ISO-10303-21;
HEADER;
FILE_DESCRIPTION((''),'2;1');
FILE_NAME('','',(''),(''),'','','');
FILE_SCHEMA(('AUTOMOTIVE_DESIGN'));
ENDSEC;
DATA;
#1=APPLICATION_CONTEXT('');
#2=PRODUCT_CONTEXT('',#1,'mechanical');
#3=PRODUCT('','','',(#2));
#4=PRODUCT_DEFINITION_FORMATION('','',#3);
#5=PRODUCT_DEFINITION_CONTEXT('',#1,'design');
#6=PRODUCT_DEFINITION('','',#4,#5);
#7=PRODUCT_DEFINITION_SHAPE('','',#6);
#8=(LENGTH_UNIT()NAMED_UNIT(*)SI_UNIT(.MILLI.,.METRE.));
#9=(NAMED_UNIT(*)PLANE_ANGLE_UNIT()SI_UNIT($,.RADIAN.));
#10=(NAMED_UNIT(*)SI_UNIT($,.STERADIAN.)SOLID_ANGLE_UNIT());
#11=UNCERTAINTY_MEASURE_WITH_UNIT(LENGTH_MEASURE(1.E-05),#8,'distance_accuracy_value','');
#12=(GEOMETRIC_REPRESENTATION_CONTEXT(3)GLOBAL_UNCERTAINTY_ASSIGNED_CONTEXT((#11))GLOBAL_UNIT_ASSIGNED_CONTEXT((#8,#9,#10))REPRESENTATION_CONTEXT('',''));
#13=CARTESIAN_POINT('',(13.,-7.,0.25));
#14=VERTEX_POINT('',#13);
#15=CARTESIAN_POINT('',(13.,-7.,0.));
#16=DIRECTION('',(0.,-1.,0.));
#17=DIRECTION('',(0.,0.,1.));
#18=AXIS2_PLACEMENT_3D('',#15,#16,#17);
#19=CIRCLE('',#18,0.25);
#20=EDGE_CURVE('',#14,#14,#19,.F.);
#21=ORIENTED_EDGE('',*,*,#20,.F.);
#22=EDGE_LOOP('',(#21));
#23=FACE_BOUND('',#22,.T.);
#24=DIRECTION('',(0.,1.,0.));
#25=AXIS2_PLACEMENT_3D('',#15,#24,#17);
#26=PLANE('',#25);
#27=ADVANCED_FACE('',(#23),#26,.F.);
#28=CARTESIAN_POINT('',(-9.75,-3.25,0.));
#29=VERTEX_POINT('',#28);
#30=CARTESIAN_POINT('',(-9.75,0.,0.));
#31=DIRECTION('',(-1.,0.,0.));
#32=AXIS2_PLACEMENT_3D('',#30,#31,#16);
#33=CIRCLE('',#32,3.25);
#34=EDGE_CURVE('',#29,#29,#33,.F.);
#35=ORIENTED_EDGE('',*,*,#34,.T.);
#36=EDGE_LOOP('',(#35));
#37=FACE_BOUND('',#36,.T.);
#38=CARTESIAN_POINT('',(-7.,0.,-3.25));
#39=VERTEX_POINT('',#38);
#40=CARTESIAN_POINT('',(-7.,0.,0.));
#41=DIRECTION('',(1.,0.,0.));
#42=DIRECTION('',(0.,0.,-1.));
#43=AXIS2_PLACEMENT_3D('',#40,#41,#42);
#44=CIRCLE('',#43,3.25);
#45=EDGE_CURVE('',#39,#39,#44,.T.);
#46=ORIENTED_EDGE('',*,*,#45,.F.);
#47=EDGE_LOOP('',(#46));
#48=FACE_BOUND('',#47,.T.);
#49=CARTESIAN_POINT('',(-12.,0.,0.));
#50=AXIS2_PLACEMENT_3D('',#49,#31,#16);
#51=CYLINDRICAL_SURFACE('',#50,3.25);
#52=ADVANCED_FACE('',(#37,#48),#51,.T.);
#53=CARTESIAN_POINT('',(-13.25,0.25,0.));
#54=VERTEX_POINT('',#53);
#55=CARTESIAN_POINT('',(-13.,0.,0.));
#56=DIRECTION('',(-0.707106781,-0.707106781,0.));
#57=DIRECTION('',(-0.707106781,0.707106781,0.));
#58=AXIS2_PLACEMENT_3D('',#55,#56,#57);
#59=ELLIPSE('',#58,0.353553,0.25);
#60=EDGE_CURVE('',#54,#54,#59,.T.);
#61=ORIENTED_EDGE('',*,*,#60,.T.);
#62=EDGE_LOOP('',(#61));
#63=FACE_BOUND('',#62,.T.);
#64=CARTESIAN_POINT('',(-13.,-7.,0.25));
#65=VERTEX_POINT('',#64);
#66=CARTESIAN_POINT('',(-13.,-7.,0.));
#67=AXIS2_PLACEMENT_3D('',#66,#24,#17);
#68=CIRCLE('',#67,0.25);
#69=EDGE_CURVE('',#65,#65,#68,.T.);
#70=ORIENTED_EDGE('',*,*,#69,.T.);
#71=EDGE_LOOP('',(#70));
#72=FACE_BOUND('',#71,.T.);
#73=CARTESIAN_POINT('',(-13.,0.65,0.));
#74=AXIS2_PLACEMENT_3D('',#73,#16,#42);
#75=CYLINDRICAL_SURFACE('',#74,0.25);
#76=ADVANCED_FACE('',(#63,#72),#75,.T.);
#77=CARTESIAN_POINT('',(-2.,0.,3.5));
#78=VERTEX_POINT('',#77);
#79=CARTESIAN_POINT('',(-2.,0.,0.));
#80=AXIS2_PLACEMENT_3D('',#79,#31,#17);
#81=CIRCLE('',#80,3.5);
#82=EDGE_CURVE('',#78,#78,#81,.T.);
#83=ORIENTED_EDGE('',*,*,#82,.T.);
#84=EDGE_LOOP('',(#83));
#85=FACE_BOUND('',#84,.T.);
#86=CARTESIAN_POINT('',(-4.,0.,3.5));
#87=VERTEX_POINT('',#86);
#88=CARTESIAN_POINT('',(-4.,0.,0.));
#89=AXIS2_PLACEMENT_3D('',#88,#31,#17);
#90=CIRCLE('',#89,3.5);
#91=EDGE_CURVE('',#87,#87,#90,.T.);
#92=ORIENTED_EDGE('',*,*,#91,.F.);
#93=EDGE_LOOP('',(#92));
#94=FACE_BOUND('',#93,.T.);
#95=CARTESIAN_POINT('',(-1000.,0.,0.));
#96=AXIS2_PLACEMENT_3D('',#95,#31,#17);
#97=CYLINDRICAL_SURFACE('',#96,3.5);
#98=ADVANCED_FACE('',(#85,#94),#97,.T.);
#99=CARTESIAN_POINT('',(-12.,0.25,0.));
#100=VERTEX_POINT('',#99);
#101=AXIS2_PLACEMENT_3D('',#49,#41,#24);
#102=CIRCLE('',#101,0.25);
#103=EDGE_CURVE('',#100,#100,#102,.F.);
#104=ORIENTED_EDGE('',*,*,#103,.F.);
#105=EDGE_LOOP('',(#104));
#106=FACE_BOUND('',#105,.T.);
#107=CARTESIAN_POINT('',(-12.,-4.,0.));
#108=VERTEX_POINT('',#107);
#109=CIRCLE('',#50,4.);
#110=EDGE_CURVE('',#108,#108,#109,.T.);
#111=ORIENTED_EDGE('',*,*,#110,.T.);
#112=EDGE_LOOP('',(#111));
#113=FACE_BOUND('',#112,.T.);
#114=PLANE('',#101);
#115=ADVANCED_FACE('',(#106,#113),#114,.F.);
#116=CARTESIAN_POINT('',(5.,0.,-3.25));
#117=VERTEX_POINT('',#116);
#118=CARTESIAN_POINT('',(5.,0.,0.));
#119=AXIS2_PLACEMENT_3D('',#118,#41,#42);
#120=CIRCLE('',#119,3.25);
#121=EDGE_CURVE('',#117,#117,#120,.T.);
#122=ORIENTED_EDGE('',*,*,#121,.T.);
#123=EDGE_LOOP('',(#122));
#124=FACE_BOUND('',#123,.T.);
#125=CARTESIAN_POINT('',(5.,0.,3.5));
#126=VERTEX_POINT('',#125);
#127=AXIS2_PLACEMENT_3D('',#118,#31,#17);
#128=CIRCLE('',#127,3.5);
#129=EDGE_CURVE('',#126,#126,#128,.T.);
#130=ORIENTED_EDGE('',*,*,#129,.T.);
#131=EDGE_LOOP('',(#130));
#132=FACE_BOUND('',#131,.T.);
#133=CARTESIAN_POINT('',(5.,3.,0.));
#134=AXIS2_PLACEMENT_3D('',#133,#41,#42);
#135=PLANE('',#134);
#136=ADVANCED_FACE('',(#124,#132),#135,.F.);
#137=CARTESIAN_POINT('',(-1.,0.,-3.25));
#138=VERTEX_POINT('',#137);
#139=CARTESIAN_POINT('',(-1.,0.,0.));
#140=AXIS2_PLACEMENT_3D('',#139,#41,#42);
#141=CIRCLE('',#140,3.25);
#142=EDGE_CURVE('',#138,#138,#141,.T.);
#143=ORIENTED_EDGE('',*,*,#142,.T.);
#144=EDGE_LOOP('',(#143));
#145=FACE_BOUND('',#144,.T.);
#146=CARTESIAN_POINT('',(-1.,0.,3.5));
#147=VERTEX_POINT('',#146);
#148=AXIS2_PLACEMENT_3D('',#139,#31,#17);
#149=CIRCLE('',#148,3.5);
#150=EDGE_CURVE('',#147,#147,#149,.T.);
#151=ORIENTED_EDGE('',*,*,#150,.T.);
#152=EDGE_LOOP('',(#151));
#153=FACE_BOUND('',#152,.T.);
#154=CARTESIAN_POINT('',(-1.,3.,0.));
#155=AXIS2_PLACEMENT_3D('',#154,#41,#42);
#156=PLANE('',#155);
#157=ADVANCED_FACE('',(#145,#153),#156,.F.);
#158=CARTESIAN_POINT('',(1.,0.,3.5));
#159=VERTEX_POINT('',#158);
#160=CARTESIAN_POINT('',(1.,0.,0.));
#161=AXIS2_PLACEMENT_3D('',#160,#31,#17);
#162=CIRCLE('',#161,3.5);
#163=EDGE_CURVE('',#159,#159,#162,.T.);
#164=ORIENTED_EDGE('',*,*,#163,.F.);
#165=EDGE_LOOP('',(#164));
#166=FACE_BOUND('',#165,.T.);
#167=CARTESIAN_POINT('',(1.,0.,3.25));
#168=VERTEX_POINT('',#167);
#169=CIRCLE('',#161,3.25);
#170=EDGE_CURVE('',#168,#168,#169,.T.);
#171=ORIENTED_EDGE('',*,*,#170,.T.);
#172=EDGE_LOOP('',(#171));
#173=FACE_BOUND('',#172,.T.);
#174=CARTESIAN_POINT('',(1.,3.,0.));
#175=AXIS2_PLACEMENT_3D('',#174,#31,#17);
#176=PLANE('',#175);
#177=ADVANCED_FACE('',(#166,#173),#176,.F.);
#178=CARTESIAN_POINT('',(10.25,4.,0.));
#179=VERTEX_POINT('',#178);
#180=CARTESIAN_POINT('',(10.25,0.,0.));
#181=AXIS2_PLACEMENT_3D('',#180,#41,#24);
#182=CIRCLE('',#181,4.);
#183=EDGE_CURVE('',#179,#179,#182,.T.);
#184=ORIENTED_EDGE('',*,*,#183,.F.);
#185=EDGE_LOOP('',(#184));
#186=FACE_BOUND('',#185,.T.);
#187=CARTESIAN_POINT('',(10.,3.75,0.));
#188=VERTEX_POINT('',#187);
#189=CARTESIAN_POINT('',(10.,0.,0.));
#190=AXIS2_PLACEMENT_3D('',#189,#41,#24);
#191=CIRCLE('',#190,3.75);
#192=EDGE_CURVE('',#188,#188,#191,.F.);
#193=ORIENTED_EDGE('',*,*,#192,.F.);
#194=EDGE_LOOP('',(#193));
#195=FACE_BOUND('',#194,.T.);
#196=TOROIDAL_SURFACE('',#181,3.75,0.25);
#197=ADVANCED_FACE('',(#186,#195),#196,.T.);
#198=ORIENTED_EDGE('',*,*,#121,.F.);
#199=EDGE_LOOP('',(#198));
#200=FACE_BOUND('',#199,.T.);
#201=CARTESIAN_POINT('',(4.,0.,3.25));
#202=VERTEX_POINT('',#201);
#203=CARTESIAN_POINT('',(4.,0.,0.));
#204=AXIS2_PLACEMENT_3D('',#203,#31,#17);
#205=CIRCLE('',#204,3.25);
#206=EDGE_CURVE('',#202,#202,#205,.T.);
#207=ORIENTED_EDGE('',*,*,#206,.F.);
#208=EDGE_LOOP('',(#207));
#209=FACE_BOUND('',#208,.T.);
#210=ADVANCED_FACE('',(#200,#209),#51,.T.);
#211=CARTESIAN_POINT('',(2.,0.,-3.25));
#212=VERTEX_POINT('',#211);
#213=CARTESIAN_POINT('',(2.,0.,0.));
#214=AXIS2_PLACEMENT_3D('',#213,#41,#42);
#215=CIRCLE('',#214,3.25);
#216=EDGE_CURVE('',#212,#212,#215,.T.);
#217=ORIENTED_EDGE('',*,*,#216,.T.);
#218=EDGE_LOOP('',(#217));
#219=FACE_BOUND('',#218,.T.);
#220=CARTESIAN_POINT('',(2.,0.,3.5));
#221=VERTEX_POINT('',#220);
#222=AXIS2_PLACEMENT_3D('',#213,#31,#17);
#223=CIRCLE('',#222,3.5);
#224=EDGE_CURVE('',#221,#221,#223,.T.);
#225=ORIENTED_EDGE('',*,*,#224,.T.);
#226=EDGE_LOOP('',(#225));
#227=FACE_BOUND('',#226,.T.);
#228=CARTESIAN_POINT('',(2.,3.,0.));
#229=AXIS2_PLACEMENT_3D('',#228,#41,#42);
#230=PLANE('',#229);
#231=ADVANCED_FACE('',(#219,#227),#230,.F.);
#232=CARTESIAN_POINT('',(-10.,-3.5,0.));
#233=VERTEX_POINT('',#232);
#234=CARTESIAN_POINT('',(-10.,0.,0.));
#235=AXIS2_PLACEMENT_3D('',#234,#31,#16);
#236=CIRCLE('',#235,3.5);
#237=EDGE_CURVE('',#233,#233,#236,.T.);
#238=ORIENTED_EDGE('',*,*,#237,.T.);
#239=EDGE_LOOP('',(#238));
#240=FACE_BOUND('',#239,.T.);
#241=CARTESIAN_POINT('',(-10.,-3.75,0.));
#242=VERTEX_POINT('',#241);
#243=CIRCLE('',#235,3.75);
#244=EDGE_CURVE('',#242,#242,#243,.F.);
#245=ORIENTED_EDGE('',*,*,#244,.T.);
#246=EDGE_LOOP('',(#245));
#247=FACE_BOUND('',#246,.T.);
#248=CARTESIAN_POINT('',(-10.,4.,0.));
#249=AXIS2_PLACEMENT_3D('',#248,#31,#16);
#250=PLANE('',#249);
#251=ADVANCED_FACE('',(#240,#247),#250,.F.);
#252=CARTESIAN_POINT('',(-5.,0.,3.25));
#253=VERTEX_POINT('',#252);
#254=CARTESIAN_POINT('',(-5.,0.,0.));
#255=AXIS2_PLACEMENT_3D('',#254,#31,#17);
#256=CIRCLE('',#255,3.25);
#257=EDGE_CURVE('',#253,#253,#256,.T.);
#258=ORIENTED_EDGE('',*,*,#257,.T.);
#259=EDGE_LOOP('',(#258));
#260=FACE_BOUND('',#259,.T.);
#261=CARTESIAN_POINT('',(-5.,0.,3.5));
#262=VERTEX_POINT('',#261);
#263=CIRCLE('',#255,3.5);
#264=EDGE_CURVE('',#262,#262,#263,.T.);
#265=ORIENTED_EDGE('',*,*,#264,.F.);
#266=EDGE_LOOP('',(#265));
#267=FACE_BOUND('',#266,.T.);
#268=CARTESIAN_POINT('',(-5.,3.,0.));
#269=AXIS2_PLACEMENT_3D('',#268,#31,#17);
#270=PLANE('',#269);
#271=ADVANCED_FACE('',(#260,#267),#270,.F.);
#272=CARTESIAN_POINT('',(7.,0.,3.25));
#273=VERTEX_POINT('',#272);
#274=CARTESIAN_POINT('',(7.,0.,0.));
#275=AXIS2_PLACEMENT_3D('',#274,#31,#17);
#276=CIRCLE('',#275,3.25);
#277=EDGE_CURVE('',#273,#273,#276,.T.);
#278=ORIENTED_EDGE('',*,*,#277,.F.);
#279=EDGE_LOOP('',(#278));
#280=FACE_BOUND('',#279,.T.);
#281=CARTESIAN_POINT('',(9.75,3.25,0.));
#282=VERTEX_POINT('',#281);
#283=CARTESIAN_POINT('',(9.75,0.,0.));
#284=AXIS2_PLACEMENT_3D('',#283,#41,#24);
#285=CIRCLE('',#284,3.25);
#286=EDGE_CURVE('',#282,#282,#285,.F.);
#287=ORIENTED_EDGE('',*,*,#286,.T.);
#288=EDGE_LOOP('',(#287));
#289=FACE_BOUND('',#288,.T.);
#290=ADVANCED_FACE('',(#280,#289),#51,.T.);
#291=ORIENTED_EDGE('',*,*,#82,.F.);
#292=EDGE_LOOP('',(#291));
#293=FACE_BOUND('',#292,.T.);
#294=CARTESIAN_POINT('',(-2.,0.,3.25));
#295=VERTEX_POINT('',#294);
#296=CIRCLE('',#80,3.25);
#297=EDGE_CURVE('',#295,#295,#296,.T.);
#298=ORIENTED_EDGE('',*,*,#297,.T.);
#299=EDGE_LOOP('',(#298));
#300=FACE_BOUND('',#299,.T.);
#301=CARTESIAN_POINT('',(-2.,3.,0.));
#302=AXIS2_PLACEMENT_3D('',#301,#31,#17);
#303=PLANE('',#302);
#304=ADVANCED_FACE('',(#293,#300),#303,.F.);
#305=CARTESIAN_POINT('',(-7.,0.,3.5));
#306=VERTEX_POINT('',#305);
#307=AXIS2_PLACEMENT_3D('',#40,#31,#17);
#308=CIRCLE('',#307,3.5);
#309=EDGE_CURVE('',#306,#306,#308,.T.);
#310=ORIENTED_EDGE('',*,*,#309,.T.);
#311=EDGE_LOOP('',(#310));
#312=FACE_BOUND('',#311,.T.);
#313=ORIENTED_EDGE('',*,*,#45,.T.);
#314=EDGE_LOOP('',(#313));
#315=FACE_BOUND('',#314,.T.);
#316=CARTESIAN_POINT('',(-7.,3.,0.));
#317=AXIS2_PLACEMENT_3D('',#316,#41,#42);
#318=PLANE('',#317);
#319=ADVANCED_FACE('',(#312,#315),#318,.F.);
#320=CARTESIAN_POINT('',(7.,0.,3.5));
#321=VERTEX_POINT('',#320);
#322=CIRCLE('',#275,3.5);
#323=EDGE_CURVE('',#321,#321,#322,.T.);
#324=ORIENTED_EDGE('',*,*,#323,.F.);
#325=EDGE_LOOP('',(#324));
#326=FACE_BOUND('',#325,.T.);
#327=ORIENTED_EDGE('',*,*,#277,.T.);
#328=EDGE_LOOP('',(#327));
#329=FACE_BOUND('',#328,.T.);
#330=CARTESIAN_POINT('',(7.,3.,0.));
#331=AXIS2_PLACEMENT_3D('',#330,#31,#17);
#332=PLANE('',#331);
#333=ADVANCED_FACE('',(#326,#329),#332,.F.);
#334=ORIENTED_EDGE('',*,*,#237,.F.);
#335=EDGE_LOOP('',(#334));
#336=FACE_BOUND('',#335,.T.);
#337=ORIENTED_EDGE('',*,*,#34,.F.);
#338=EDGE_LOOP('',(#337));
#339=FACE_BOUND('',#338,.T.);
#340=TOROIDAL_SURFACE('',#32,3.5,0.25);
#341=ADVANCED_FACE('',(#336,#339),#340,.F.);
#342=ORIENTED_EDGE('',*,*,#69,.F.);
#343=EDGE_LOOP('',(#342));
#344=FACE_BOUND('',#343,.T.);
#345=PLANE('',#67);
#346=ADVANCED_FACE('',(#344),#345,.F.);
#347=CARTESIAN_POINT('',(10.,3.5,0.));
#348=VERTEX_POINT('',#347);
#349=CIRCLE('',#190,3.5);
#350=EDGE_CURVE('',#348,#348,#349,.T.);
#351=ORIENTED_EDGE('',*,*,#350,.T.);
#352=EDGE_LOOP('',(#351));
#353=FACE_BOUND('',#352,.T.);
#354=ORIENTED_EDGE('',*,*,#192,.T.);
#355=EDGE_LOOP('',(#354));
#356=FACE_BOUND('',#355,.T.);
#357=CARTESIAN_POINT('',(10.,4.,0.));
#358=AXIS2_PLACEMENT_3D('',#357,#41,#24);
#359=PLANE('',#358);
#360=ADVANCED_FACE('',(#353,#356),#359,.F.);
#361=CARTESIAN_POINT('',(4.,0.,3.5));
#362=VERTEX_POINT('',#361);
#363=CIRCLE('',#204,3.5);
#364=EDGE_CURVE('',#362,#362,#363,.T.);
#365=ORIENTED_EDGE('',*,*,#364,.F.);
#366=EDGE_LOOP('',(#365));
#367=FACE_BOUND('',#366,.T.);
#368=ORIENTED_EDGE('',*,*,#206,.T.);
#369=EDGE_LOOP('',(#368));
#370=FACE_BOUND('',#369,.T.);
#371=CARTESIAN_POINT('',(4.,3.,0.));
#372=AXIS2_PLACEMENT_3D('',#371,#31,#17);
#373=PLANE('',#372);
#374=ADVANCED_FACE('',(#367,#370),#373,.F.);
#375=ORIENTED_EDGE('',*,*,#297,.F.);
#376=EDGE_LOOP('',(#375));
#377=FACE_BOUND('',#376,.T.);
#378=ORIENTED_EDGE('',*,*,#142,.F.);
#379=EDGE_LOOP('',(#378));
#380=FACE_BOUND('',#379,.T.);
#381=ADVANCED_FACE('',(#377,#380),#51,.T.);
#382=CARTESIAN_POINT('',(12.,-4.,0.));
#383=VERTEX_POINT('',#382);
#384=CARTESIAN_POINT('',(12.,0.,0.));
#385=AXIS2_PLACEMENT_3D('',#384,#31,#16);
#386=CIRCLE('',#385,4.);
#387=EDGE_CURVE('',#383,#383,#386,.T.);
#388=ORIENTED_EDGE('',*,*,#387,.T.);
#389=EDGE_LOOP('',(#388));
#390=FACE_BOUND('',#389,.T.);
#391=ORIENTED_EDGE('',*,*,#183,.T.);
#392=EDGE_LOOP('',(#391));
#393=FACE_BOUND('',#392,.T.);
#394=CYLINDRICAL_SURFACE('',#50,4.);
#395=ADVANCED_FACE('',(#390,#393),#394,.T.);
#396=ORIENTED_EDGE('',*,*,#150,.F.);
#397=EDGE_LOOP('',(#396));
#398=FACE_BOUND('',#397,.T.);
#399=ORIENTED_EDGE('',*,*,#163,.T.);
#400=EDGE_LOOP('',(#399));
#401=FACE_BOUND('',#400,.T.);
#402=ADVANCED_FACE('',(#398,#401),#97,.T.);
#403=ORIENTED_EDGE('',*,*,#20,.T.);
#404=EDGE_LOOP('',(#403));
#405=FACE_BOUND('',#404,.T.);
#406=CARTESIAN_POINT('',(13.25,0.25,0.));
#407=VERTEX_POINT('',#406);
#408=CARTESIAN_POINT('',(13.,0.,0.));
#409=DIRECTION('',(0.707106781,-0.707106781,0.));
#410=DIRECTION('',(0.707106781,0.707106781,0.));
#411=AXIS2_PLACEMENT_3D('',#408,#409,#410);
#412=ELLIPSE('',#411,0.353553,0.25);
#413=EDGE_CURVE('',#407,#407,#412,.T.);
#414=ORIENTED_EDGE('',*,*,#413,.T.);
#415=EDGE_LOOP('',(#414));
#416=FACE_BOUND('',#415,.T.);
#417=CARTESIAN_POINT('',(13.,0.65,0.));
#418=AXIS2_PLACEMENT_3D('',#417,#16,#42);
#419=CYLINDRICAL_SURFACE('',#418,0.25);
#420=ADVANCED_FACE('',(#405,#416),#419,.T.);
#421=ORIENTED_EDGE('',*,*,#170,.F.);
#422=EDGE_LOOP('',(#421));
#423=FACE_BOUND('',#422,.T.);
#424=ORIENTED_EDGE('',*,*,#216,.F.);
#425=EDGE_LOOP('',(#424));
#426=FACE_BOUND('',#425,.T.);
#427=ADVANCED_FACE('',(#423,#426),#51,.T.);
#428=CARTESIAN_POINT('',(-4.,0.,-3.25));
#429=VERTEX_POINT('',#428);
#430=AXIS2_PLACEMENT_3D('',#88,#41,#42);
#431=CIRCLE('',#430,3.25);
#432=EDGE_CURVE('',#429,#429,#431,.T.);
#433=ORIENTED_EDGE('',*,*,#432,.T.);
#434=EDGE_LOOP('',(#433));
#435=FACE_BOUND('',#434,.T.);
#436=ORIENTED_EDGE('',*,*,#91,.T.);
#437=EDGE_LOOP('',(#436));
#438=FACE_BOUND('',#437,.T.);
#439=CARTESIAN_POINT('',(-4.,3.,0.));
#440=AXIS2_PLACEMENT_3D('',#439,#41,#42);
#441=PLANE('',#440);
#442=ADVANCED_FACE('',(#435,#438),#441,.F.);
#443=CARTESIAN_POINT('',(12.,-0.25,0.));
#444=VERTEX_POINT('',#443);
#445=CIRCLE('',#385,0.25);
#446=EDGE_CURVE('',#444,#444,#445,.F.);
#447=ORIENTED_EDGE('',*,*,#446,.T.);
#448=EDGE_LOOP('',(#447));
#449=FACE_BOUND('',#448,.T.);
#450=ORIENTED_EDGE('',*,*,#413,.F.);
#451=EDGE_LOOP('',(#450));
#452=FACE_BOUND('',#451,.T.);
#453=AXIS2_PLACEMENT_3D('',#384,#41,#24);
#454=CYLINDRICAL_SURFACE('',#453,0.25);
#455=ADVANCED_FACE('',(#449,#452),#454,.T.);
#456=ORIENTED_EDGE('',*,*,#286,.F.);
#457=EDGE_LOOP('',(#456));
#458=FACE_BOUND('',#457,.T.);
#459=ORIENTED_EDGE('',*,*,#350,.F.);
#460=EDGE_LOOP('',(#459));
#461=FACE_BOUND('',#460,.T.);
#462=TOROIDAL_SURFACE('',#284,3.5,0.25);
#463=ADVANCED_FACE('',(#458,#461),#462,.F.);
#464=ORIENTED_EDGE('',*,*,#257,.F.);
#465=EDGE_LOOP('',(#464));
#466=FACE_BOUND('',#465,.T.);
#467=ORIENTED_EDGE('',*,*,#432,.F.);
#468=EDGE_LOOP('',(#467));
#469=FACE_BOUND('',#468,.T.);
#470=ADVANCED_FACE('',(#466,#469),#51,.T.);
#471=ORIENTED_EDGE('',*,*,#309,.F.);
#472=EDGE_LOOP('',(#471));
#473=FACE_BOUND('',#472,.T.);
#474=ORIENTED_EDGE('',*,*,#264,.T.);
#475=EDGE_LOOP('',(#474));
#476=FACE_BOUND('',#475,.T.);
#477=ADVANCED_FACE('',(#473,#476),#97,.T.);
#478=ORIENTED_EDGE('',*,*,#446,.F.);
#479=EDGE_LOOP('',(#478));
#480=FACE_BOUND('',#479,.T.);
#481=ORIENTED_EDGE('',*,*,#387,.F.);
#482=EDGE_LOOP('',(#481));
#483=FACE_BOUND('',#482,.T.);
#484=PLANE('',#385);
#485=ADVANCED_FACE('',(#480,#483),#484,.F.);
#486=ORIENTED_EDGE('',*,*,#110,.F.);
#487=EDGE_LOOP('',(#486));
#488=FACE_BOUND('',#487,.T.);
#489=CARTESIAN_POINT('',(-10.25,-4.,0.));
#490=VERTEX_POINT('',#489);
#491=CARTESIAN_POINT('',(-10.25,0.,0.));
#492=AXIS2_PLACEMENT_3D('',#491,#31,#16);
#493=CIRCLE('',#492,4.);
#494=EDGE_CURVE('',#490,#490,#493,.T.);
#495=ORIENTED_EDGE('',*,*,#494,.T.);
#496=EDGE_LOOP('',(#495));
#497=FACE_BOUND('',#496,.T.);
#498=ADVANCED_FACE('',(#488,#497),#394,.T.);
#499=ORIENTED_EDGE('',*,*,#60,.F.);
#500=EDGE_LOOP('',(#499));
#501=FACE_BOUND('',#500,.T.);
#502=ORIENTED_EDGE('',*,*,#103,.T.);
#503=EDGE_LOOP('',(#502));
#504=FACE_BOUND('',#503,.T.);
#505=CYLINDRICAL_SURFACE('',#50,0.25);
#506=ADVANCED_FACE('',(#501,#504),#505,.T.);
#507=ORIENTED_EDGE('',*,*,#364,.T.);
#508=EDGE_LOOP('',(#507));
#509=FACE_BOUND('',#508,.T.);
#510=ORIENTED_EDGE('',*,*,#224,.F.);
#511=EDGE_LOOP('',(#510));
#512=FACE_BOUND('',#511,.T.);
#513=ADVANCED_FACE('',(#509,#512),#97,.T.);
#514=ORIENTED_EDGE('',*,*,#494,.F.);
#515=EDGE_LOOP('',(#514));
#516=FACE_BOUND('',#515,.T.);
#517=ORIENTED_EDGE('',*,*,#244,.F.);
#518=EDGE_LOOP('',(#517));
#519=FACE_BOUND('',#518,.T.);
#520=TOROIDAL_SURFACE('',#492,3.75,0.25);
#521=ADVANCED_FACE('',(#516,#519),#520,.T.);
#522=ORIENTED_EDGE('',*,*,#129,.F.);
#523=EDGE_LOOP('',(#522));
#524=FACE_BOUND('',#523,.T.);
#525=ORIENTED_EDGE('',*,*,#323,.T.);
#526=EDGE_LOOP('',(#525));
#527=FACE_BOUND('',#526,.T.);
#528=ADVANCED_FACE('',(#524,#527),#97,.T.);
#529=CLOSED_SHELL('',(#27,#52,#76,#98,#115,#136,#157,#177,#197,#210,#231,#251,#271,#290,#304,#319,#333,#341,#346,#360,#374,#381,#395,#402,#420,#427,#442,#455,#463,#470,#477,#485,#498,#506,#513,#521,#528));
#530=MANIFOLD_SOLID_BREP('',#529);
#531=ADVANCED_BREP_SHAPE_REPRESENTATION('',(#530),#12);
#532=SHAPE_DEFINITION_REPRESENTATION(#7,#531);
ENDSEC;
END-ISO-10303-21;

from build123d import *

# Parameters (mm, degrees)
FILLET_1_R        = 0.25
SKETCH_2_W        = 2
SKETCH_2_H        = 0.5
SWEEP_1_PROFILE_R = 0.25


with BuildPart() as part:
    # 草图1 → 旋转2 (revolve)
    with BuildSketch(Plane.XY, mode=Mode.PRIVATE) as revolve_2_sk:
        Polygon((-12, 0), (-12, 4), (-10, 4), (-10, 3.25), (10, 3.25), (10, 4), (12, 4), (12, 0), align=None)
    revolve(revolve_2_sk.sketch.rotate(Axis((-12, 0, 0), (1, 0, 0)), 180), axis=Axis((-12, 0, 0), (1, 0, 0)))

    # 圆角1
    fillet_1_edges = [part.edges().sort_by_distance(p)[0] for p in [
        (-10, 4, 0),
        (-10, 3.25, 0),
        (10, 3.25, 0),
        (10, 4, 0),
    ]]
    fillet(fillet_1_edges, radius=FILLET_1_R)

    # 草图2 → 旋转3 (revolve)
    with BuildSketch(Plane.XY, mode=Mode.PRIVATE) as revolve_3_sk:
        with Locations((3, 3.25)):
            Rectangle(SKETCH_2_W, SKETCH_2_H)
        with Locations((0, 3.25)):
            Rectangle(SKETCH_2_W, SKETCH_2_H)
        with Locations((6, 3.25)):
            Rectangle(SKETCH_2_W, SKETCH_2_H)
        with Locations((-3, 3.25)):
            Rectangle(SKETCH_2_W, SKETCH_2_H)
        with Locations((-6, 3.25)):
            Rectangle(SKETCH_2_W, SKETCH_2_H)
    revolve(revolve_3_sk.sketch.rotate(Axis((-1000, 0, 0), (1, 0, 0)), 90), axis=Axis((-1000, 0, 0), (1, 0, 0)))

    # 扫描1: sweep along a path in 草图3
    with BuildLine(Plane.XY) as sweep_1_path:
        Line((-12, 0), (-13, 0))
        Line((-13, 0), (-13, -7))
    # 扫描1 profile (on start of the path) → 扫描1 (sweep)
    with BuildSketch(Plane(origin=(-12, 0, 0), x_dir=(0, -1, 0), z_dir=(-1, 0, 0))):
        Circle(SWEEP_1_PROFILE_R)
    sweep_1 = sweep(path=sweep_1_path.line, transition=Transition.RIGHT)

    # 镜向1: 扫描1 across plane
    add(sweep_1.mirror(Plane(origin=(0, 0, 0), x_dir=(0, 0, 1), z_dir=(1, 0, 0))))


solid = part.part
